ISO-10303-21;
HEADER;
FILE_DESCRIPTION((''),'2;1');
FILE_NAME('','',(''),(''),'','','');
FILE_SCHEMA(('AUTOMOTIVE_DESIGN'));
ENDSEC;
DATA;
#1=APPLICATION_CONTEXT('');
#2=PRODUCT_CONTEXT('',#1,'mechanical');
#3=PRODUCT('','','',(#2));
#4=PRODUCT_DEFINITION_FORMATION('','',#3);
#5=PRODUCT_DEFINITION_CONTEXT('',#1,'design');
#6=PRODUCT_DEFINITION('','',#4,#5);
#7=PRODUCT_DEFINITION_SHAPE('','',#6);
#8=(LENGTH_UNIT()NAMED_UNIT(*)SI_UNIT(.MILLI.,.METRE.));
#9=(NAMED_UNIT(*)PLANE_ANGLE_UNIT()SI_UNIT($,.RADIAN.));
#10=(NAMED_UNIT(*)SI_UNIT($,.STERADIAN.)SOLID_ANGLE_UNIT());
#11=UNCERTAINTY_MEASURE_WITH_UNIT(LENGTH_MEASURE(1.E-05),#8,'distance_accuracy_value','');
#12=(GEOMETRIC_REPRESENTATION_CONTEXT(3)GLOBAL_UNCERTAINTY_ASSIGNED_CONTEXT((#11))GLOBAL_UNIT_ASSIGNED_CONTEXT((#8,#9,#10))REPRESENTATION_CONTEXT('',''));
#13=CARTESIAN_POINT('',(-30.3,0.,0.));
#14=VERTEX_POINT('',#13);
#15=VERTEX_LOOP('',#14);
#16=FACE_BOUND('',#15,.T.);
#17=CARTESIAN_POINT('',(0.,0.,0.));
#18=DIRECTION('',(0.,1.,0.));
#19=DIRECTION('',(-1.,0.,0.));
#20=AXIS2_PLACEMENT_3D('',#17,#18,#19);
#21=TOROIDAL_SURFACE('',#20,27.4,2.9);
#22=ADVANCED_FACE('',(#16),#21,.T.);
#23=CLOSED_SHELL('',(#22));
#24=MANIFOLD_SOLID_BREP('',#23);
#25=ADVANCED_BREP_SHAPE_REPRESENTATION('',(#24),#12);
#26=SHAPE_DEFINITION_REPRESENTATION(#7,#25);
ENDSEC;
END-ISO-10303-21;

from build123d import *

# Parameters (mm, degrees)
SKE_R = 2.9


with BuildPart() as part:
    # Ske → Revolve 354 (revolve)
    with BuildSketch(Plane.XY, mode=Mode.PRIVATE) as revolve_354_sk:
        with Locations((27.4, 0)):
            Circle(SKE_R)
    revolve(revolve_354_sk.sketch.rotate(Axis((0, 9.409969387, 0), (0, -1, 0)), 180), axis=Axis((0, 9.409969387, 0), (0, -1, 0)))


solid = part.part
